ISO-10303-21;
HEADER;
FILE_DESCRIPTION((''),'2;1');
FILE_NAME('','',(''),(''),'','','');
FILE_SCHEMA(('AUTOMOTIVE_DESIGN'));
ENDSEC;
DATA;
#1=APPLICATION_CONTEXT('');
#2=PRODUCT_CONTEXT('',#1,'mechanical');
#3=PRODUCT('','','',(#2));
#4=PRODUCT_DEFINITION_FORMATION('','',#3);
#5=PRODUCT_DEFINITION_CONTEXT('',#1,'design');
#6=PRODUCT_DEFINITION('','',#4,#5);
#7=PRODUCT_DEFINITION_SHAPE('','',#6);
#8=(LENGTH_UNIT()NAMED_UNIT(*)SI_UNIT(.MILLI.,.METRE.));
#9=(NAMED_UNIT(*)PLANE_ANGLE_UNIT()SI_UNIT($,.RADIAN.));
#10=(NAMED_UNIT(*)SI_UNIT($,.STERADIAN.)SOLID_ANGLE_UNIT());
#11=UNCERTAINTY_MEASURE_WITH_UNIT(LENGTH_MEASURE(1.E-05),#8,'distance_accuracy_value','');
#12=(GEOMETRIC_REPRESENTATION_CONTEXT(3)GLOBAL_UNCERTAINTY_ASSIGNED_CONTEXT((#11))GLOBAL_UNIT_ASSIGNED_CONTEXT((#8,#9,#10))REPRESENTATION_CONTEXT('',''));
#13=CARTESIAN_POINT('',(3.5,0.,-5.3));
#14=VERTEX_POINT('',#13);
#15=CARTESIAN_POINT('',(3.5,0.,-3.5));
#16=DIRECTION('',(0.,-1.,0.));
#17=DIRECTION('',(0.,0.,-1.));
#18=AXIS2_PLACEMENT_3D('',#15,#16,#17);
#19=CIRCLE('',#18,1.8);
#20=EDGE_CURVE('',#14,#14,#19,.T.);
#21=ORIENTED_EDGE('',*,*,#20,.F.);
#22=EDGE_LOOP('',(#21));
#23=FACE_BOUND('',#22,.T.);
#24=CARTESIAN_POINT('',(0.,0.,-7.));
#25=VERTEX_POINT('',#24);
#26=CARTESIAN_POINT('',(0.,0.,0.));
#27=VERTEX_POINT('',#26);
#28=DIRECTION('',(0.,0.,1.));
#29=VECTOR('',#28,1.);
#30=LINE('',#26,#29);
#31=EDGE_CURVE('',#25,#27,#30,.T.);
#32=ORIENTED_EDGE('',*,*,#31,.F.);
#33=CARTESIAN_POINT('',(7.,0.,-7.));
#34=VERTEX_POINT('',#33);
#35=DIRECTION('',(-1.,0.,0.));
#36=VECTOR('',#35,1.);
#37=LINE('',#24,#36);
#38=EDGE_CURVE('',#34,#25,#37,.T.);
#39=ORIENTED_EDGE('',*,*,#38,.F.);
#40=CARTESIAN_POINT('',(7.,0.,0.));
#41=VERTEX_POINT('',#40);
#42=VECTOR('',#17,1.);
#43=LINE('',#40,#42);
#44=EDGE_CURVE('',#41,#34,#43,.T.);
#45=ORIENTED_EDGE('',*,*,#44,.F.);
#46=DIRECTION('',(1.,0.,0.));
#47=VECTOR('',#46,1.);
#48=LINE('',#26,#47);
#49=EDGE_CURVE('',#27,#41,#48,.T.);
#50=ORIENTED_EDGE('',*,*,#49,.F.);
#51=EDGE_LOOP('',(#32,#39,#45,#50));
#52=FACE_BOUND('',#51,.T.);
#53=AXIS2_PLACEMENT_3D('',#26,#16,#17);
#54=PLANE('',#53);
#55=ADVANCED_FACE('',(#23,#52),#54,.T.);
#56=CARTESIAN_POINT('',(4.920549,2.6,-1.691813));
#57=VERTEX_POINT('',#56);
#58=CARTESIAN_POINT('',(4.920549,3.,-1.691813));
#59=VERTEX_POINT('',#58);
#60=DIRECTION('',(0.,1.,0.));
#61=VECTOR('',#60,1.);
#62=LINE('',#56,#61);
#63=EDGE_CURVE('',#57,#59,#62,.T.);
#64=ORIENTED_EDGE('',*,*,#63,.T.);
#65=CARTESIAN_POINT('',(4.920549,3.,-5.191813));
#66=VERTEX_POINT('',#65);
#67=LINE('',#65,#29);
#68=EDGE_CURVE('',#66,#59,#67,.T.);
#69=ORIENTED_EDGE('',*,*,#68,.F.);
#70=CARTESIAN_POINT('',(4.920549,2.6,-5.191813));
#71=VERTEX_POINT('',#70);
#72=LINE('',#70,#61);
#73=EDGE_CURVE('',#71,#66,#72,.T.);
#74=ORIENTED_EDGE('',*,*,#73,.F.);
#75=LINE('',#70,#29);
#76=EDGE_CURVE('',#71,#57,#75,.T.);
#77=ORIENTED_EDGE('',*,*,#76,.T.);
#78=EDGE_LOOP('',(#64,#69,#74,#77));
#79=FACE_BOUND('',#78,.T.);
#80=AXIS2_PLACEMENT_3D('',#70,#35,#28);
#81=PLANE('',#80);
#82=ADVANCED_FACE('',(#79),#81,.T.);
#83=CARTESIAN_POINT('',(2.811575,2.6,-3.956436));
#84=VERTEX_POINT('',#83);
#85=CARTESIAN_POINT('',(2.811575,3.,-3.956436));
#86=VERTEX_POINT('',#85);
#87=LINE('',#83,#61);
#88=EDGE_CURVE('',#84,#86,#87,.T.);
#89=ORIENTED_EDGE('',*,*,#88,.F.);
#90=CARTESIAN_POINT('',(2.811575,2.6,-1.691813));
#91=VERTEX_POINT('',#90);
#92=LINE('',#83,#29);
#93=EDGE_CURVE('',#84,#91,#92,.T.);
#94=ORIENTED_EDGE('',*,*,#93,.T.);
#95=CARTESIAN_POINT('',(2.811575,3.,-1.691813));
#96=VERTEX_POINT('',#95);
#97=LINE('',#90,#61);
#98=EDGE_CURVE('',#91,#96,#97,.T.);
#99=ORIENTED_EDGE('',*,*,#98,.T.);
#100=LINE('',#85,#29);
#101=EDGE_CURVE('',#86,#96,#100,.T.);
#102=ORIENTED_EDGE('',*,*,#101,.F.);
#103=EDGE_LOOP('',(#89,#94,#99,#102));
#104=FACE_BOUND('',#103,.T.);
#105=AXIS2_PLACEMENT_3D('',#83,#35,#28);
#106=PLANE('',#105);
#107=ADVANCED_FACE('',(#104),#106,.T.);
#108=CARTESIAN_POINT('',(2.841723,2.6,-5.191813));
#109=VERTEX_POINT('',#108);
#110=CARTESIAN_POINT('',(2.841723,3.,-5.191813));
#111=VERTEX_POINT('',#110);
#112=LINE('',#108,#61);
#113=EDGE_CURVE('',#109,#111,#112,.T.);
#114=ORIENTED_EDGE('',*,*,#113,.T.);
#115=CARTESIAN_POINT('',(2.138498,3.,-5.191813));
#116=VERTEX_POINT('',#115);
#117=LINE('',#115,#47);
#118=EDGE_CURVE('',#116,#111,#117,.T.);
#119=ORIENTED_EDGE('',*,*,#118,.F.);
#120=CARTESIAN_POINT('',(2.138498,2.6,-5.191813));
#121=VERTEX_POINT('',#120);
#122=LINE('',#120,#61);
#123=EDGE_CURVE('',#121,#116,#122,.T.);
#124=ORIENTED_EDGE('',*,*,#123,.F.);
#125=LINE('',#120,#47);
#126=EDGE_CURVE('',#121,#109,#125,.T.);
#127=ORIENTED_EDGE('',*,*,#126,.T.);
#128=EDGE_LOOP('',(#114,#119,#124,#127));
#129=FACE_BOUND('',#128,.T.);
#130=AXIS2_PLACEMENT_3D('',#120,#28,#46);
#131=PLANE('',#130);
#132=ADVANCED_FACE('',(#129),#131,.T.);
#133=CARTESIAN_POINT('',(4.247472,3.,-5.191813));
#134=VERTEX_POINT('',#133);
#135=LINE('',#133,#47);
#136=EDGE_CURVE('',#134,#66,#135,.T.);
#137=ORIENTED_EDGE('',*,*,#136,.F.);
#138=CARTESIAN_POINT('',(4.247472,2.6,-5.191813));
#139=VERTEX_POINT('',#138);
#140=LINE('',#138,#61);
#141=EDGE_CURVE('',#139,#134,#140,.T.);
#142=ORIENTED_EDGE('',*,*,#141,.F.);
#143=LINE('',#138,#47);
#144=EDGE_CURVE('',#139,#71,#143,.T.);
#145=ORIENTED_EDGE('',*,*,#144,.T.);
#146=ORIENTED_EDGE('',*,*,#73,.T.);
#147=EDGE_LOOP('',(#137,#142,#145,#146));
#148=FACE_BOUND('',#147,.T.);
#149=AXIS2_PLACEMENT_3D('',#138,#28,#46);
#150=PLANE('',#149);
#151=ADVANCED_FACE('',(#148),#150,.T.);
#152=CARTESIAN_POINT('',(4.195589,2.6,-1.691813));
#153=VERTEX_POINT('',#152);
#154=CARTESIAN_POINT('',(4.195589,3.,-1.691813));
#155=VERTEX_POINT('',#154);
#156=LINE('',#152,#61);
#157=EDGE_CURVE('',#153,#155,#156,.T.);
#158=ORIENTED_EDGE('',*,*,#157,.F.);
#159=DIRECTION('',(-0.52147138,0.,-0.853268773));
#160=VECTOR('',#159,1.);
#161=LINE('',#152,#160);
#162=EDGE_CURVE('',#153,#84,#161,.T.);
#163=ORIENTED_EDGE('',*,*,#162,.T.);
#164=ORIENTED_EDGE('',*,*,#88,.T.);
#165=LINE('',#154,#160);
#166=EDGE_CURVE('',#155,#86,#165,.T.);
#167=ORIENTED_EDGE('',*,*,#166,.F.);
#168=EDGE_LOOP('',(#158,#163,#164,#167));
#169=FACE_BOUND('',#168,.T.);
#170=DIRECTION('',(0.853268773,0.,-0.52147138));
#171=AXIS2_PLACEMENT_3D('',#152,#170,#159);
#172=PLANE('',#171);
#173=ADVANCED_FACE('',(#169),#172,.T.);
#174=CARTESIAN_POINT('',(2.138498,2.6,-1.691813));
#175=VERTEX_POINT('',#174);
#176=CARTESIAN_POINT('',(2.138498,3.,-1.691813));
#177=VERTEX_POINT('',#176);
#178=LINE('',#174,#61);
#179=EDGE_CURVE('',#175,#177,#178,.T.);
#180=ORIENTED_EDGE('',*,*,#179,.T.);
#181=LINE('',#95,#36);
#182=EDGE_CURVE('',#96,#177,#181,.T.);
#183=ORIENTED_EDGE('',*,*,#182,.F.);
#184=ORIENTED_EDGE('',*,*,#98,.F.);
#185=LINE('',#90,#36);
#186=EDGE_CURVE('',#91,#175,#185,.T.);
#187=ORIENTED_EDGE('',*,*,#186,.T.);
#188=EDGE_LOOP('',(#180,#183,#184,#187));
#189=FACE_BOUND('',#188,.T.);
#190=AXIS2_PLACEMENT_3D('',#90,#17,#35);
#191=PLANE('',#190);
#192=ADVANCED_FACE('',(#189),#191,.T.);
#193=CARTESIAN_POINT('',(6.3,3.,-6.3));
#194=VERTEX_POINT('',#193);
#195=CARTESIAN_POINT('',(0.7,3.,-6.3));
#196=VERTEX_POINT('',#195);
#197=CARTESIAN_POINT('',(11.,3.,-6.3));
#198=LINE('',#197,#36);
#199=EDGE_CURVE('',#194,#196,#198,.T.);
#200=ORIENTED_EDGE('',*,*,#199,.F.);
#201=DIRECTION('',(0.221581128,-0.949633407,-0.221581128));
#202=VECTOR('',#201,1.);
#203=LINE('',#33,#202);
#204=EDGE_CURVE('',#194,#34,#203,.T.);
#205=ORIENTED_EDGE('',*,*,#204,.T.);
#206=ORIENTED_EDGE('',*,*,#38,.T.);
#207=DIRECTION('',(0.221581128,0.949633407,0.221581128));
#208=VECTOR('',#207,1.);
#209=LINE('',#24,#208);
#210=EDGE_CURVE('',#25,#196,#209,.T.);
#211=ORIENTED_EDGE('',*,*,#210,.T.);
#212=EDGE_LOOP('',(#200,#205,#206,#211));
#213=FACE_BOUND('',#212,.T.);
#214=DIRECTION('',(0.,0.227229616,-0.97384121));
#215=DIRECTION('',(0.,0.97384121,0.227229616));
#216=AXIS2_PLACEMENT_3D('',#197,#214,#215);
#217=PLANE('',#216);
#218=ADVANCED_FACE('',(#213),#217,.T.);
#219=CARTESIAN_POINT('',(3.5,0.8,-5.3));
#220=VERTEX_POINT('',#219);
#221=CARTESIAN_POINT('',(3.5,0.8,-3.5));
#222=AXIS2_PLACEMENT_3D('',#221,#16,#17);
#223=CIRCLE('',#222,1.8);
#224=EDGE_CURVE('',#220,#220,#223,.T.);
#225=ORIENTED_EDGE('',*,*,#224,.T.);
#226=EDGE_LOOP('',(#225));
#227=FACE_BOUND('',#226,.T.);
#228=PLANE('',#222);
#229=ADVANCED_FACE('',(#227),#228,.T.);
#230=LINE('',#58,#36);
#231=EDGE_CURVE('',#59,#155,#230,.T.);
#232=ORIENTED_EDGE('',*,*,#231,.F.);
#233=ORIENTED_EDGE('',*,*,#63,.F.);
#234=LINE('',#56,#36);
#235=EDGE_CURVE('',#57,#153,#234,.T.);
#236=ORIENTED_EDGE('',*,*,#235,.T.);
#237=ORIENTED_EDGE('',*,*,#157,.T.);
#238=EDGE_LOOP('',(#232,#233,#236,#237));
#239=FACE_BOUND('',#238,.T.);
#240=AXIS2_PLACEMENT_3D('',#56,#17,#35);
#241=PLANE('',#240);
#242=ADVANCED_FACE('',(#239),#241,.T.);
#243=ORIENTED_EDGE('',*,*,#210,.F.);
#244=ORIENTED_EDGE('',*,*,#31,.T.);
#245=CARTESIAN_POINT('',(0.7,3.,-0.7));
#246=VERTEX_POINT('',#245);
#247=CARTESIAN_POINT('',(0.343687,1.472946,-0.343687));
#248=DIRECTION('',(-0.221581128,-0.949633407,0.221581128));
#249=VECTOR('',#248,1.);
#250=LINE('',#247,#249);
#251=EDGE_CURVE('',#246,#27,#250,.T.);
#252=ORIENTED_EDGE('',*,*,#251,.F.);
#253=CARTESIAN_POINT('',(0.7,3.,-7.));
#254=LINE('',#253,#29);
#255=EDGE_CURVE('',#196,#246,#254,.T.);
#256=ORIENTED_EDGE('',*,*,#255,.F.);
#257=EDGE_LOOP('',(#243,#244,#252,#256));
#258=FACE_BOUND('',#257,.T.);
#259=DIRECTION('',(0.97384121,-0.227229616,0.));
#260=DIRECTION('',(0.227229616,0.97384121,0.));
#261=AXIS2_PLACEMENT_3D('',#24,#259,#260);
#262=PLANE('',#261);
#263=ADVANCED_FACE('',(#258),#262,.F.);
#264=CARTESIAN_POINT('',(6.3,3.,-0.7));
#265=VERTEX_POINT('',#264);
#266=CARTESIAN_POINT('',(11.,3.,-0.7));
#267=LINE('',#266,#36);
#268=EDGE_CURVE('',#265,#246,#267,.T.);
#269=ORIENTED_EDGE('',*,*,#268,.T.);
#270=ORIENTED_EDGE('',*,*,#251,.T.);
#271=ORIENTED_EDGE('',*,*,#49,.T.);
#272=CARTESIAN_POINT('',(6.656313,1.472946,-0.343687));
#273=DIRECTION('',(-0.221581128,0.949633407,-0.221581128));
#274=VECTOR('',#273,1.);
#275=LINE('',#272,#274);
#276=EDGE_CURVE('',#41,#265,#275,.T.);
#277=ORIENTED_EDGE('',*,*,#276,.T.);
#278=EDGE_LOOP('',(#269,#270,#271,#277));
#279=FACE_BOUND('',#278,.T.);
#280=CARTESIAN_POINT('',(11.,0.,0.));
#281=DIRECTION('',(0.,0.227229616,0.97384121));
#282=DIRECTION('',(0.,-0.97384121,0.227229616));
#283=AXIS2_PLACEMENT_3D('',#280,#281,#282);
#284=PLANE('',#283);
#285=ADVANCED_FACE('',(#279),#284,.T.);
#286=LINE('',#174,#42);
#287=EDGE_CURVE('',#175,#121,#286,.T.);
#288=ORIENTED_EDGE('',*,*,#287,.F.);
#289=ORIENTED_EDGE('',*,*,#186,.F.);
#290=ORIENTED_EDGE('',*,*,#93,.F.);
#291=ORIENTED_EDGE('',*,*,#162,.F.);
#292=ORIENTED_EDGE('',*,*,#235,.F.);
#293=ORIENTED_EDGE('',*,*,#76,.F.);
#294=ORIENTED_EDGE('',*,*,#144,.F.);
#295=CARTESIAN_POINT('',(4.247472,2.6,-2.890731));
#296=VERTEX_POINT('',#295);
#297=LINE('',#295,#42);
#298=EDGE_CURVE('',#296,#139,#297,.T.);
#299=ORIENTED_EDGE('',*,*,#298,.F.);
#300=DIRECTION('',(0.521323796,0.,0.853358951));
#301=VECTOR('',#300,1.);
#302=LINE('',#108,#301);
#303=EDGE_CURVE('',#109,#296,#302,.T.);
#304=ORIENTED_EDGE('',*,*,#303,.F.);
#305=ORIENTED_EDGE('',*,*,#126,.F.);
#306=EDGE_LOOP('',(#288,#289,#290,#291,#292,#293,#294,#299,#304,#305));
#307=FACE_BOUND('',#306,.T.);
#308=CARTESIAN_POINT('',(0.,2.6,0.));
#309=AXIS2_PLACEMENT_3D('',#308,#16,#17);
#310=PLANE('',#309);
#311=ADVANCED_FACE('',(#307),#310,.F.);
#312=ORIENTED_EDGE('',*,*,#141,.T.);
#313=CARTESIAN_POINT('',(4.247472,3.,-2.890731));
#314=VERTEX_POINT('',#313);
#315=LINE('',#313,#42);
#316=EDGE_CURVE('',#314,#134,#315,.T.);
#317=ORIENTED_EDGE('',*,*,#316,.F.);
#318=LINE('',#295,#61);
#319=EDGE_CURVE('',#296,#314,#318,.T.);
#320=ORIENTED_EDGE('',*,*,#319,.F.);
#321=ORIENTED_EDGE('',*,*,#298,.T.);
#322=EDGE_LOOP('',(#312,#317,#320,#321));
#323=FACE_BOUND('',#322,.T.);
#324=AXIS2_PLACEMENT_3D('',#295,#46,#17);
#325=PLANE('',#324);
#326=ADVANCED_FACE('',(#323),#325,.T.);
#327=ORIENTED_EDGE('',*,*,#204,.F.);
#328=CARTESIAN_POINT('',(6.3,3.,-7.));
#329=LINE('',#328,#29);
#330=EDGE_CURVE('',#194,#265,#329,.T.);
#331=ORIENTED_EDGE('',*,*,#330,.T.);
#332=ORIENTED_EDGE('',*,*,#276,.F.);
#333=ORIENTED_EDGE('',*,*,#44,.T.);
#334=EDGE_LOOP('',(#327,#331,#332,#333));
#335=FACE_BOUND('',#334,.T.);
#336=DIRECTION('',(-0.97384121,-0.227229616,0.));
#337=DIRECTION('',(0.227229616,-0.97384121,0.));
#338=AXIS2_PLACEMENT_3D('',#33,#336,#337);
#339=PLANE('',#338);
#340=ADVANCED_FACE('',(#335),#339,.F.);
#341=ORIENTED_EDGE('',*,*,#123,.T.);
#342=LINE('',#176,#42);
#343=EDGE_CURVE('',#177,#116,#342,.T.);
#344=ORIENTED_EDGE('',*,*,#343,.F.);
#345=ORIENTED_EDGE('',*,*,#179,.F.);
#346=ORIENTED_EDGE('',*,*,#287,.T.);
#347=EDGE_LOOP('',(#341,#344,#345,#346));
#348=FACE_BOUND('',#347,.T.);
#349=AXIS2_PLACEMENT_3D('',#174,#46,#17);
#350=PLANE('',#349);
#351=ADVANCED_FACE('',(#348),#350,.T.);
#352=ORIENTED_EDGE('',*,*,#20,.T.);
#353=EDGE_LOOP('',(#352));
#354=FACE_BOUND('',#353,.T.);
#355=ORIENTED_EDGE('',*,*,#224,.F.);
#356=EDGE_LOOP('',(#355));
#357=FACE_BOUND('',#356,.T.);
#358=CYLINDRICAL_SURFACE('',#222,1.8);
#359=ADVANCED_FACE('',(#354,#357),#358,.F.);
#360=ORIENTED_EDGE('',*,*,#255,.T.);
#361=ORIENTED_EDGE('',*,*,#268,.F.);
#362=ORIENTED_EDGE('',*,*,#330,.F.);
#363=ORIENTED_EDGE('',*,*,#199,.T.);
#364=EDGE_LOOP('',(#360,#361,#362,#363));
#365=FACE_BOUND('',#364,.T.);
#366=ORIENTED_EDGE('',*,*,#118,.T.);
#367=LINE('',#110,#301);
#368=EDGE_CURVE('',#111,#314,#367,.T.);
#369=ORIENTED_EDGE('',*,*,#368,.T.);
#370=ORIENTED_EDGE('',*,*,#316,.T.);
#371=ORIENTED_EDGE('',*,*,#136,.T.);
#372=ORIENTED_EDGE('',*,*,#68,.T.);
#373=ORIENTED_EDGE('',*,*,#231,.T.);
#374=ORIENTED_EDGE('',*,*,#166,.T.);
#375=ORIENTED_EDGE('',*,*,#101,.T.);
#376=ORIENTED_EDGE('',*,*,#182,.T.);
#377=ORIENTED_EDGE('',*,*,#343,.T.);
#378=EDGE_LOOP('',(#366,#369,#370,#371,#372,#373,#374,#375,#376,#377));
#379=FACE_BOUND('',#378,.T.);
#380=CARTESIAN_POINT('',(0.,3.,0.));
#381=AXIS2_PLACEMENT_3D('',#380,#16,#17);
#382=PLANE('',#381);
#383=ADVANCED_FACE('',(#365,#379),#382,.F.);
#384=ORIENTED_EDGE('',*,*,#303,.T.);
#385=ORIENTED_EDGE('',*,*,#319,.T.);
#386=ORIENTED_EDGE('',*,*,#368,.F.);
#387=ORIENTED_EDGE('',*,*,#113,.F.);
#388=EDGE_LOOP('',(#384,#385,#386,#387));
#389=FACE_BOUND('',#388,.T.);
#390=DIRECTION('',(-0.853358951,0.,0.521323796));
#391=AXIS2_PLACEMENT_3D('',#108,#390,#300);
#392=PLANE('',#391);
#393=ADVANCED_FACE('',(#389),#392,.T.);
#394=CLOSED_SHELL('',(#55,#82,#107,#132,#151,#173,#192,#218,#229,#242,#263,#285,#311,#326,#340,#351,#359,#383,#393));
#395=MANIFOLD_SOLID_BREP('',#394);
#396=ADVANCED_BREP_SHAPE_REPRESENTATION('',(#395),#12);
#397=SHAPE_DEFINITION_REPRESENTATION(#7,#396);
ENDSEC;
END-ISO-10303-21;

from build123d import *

# Parameters (mm, degrees)
SKETCH1_W           = 7
SKETCH1_H           = 7
BOSS_EXTRUDE1_DEPTH = 3
CUT_EXTRUDE1_DEPTH  = 7
CUT_EXTRUDE2_DEPTH  = 11
SKETCH4_R           = 1.8
CUT_EXTRUDE3_DEPTH  = 0.8
CUT_EXTRUDE4_DEPTH  = 0.4


with BuildPart() as part:
    # Sketch1 → Boss-Extrude1 (new body)
    with BuildSketch(Plane(origin=(0, 0, 0), x_dir=(1, 0, 0), z_dir=(0, 1, 0))):
        with Locations((3.5, 3.5)):
            Rectangle(SKETCH1_W, SKETCH1_H)
    extrude(amount=BOSS_EXTRUDE1_DEPTH)

    # Sketch2 → Cut-Extrude1 (cut)
    with BuildSketch(Plane.XY):
        Polygon((0, 0), (0.7, 3), (0, 3), align=None)
        Polygon((7, 0), (6.3, 3), (7, 3), align=None)
    extrude(amount=-CUT_EXTRUDE1_DEPTH, mode=Mode.SUBTRACT)

    # Sketch3 → Cut-Extrude2 (cut)
    with BuildSketch(Plane(origin=(0, 0, 0), x_dir=(0, 0, -1), z_dir=(1, 0, 0))):
        Polygon((0, 0), (0.7, 3), (0, 3), align=None)
        Polygon((7, 3), (6.3, 3), (7, 0), align=None)
    extrude(amount=CUT_EXTRUDE2_DEPTH, mode=Mode.SUBTRACT)

    # Sketch4 → Cut-Extrude3 (cut)
    with BuildSketch(Plane.XZ):
        with Locations(Location((3.5, -3.5, 0), (0, 0, 270))):
            Circle(SKETCH4_R)
    extrude(amount=-CUT_EXTRUDE3_DEPTH, mode=Mode.SUBTRACT)

    # Sketch5 → Cut-Extrude4 (cut)
    with BuildSketch(Plane(origin=(0, 3, 0), x_dir=(1, 0, 0), z_dir=(0, 1, 0))):
        Polygon((2.138497613, 1.691812675), (2.138497613, 5.191812675), (2.841722774, 5.191812675), (4.247471972, 2.890730944), (4.247471972, 5.191812675), (4.920548895, 5.191812675), (4.920548895, 1.691812675), (4.19558896, 1.691812675), (2.811574536, 3.956436073), (2.811574536, 1.691812675), align=None)
    extrude(amount=-CUT_EXTRUDE4_DEPTH, mode=Mode.SUBTRACT)


solid = part.part
